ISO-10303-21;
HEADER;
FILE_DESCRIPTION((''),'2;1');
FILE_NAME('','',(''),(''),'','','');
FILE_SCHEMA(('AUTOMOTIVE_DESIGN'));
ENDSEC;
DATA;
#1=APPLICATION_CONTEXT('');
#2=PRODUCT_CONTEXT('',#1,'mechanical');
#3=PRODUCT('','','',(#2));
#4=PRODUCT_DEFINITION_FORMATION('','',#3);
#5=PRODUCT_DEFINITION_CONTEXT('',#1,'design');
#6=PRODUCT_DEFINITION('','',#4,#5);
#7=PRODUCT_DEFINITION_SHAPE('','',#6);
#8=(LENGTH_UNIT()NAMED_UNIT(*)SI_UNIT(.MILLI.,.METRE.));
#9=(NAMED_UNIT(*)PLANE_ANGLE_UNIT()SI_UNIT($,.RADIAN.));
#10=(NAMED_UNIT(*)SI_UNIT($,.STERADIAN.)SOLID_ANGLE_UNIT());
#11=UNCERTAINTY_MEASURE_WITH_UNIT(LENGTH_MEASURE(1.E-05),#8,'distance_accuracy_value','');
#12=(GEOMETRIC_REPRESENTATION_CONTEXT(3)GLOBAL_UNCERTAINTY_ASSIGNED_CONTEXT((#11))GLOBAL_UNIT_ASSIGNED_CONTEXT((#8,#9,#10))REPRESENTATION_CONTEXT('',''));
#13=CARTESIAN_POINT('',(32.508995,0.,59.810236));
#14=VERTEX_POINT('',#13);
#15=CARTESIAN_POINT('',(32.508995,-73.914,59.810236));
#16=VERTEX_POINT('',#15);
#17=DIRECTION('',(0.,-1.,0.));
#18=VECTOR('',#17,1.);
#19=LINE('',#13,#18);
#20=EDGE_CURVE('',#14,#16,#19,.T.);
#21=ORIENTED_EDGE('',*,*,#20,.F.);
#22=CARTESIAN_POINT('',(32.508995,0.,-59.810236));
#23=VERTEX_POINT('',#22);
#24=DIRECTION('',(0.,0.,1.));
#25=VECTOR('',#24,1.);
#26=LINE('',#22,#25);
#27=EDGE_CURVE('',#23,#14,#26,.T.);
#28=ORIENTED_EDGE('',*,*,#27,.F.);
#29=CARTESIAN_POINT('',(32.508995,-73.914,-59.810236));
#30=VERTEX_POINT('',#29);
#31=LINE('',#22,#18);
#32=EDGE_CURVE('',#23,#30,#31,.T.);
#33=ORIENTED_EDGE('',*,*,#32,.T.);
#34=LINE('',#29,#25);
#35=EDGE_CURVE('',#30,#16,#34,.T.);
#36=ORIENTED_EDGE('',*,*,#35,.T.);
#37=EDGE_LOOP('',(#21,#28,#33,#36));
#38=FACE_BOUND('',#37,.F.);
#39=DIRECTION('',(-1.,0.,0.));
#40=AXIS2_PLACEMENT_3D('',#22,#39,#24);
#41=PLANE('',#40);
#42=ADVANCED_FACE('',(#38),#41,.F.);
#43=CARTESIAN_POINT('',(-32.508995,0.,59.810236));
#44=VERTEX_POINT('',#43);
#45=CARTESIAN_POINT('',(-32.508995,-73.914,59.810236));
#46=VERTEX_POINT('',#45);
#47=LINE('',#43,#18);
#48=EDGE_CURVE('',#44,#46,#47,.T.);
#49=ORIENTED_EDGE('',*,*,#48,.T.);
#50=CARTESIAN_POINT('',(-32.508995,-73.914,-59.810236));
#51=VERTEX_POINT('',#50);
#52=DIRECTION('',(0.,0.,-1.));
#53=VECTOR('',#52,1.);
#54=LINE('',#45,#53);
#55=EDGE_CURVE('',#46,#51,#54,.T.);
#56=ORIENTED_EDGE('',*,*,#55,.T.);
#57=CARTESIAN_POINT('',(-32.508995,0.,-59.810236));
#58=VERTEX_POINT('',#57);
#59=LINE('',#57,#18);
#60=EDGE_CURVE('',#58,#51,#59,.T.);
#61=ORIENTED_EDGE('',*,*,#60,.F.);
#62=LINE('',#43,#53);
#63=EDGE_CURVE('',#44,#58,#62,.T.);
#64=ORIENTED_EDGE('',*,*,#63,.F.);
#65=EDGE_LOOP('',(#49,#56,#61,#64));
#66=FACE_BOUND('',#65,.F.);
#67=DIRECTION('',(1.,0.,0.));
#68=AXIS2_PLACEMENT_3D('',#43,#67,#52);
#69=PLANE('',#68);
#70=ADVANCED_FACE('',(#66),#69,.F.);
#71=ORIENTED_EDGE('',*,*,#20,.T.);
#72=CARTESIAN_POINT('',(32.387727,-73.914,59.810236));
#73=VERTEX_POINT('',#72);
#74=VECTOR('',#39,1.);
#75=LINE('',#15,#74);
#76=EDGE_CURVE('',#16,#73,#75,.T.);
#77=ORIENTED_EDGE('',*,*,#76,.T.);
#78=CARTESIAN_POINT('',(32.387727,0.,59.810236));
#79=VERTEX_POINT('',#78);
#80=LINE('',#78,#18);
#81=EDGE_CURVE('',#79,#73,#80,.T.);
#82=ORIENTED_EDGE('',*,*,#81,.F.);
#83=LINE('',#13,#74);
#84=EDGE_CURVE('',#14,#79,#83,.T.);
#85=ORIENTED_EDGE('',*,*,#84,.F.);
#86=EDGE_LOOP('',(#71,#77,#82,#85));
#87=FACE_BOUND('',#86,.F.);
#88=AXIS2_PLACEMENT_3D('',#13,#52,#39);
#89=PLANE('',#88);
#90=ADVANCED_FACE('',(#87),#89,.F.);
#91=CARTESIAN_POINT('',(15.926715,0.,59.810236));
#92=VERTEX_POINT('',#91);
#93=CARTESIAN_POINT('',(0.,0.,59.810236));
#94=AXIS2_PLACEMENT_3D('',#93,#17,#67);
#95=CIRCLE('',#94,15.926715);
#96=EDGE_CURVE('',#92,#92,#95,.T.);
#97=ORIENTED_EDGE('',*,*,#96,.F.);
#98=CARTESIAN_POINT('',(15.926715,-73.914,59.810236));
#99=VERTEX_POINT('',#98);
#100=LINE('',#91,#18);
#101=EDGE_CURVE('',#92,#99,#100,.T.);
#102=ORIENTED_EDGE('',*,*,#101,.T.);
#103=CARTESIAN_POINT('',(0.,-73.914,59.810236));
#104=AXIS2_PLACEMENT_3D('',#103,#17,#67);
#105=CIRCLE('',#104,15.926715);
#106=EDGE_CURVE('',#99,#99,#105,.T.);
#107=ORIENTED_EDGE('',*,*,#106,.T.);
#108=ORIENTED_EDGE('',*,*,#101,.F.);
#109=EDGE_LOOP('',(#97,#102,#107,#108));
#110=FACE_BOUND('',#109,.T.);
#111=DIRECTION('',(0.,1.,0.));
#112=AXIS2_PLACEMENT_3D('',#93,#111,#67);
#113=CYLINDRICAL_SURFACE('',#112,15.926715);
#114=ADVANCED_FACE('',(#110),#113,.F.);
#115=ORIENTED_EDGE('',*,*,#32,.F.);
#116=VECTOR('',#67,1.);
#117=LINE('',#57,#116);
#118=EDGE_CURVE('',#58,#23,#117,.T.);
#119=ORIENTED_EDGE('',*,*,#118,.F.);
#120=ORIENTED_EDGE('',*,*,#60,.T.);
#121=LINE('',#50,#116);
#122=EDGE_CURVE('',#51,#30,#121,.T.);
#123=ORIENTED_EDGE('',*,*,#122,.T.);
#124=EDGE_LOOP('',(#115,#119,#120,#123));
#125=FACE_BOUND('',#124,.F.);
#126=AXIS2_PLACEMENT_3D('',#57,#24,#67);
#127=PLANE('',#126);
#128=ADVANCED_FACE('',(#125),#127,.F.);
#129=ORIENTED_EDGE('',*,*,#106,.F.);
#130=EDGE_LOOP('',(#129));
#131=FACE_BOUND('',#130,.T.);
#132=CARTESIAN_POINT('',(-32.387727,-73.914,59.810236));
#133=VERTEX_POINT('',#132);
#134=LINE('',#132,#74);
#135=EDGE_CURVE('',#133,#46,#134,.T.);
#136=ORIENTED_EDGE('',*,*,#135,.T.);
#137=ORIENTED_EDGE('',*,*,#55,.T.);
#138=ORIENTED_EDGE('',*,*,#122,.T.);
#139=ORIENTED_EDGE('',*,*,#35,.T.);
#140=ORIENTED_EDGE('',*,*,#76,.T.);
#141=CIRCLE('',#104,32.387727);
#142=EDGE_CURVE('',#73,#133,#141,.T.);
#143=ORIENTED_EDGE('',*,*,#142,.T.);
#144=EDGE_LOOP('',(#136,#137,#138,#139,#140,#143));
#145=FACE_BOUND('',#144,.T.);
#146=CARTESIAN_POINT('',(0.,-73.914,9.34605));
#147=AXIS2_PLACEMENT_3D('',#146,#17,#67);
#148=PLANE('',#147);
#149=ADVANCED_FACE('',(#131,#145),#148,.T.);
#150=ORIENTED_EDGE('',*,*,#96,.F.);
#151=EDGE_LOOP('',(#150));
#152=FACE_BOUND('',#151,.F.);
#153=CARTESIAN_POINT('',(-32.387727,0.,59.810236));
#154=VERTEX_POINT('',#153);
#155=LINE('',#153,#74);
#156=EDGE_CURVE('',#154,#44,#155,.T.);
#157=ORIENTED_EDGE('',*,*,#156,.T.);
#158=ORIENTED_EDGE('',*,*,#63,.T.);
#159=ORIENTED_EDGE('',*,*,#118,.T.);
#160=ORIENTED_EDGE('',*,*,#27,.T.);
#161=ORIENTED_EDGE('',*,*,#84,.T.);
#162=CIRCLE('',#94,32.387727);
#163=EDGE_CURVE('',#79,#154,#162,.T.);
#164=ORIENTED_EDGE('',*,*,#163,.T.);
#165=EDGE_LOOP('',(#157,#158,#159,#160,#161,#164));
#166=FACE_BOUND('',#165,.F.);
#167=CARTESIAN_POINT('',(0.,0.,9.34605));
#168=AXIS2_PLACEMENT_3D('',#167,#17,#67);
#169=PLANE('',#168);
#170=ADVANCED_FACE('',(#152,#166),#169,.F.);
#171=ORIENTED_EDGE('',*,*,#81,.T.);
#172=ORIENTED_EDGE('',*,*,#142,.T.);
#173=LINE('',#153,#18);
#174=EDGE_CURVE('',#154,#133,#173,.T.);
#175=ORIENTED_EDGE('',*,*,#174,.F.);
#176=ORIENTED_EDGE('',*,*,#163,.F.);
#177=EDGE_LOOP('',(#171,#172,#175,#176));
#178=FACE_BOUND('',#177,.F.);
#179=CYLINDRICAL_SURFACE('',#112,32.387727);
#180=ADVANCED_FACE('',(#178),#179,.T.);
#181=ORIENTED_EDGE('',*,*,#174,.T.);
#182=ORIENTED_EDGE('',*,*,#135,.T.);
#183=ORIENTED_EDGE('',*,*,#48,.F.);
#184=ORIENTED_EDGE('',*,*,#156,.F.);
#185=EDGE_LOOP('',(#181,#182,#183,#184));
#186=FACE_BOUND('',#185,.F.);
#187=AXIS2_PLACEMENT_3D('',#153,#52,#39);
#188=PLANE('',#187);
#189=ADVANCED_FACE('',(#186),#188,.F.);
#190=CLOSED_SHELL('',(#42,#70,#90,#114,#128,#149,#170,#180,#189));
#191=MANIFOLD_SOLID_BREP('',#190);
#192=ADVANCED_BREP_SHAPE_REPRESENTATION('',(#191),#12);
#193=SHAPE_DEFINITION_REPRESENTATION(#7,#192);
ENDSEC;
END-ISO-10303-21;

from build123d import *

# Parameters (mm, degrees)
F0_R     = 15.926715
F1_DEPTH = 73.914


with BuildPart() as f1:
    # F0 (on Front) → F1 (new body)
    with BuildSketch(Plane.XZ):
        with BuildLine():
            Line((-32.508995, -59.810236), (32.508995, -59.810236))
            Line((32.508995, -59.810236), (32.508995, 59.810236))
            Line((32.508995, 59.810236), (32.387727, 59.810236))
            ThreePointArc((32.387727, 59.810236), (0, 92.197963), (-32.387727, 59.810236))
            Line((-32.387727, 59.810236), (-32.508995, 59.810236))
            Line((-32.508995, 59.810236), (-32.508995, -59.810236))
        make_face()
        with Locations((0, 59.810236)):
            Circle(F0_R, mode=Mode.SUBTRACT)
    extrude(amount=F1_DEPTH)


solid = f1.part
